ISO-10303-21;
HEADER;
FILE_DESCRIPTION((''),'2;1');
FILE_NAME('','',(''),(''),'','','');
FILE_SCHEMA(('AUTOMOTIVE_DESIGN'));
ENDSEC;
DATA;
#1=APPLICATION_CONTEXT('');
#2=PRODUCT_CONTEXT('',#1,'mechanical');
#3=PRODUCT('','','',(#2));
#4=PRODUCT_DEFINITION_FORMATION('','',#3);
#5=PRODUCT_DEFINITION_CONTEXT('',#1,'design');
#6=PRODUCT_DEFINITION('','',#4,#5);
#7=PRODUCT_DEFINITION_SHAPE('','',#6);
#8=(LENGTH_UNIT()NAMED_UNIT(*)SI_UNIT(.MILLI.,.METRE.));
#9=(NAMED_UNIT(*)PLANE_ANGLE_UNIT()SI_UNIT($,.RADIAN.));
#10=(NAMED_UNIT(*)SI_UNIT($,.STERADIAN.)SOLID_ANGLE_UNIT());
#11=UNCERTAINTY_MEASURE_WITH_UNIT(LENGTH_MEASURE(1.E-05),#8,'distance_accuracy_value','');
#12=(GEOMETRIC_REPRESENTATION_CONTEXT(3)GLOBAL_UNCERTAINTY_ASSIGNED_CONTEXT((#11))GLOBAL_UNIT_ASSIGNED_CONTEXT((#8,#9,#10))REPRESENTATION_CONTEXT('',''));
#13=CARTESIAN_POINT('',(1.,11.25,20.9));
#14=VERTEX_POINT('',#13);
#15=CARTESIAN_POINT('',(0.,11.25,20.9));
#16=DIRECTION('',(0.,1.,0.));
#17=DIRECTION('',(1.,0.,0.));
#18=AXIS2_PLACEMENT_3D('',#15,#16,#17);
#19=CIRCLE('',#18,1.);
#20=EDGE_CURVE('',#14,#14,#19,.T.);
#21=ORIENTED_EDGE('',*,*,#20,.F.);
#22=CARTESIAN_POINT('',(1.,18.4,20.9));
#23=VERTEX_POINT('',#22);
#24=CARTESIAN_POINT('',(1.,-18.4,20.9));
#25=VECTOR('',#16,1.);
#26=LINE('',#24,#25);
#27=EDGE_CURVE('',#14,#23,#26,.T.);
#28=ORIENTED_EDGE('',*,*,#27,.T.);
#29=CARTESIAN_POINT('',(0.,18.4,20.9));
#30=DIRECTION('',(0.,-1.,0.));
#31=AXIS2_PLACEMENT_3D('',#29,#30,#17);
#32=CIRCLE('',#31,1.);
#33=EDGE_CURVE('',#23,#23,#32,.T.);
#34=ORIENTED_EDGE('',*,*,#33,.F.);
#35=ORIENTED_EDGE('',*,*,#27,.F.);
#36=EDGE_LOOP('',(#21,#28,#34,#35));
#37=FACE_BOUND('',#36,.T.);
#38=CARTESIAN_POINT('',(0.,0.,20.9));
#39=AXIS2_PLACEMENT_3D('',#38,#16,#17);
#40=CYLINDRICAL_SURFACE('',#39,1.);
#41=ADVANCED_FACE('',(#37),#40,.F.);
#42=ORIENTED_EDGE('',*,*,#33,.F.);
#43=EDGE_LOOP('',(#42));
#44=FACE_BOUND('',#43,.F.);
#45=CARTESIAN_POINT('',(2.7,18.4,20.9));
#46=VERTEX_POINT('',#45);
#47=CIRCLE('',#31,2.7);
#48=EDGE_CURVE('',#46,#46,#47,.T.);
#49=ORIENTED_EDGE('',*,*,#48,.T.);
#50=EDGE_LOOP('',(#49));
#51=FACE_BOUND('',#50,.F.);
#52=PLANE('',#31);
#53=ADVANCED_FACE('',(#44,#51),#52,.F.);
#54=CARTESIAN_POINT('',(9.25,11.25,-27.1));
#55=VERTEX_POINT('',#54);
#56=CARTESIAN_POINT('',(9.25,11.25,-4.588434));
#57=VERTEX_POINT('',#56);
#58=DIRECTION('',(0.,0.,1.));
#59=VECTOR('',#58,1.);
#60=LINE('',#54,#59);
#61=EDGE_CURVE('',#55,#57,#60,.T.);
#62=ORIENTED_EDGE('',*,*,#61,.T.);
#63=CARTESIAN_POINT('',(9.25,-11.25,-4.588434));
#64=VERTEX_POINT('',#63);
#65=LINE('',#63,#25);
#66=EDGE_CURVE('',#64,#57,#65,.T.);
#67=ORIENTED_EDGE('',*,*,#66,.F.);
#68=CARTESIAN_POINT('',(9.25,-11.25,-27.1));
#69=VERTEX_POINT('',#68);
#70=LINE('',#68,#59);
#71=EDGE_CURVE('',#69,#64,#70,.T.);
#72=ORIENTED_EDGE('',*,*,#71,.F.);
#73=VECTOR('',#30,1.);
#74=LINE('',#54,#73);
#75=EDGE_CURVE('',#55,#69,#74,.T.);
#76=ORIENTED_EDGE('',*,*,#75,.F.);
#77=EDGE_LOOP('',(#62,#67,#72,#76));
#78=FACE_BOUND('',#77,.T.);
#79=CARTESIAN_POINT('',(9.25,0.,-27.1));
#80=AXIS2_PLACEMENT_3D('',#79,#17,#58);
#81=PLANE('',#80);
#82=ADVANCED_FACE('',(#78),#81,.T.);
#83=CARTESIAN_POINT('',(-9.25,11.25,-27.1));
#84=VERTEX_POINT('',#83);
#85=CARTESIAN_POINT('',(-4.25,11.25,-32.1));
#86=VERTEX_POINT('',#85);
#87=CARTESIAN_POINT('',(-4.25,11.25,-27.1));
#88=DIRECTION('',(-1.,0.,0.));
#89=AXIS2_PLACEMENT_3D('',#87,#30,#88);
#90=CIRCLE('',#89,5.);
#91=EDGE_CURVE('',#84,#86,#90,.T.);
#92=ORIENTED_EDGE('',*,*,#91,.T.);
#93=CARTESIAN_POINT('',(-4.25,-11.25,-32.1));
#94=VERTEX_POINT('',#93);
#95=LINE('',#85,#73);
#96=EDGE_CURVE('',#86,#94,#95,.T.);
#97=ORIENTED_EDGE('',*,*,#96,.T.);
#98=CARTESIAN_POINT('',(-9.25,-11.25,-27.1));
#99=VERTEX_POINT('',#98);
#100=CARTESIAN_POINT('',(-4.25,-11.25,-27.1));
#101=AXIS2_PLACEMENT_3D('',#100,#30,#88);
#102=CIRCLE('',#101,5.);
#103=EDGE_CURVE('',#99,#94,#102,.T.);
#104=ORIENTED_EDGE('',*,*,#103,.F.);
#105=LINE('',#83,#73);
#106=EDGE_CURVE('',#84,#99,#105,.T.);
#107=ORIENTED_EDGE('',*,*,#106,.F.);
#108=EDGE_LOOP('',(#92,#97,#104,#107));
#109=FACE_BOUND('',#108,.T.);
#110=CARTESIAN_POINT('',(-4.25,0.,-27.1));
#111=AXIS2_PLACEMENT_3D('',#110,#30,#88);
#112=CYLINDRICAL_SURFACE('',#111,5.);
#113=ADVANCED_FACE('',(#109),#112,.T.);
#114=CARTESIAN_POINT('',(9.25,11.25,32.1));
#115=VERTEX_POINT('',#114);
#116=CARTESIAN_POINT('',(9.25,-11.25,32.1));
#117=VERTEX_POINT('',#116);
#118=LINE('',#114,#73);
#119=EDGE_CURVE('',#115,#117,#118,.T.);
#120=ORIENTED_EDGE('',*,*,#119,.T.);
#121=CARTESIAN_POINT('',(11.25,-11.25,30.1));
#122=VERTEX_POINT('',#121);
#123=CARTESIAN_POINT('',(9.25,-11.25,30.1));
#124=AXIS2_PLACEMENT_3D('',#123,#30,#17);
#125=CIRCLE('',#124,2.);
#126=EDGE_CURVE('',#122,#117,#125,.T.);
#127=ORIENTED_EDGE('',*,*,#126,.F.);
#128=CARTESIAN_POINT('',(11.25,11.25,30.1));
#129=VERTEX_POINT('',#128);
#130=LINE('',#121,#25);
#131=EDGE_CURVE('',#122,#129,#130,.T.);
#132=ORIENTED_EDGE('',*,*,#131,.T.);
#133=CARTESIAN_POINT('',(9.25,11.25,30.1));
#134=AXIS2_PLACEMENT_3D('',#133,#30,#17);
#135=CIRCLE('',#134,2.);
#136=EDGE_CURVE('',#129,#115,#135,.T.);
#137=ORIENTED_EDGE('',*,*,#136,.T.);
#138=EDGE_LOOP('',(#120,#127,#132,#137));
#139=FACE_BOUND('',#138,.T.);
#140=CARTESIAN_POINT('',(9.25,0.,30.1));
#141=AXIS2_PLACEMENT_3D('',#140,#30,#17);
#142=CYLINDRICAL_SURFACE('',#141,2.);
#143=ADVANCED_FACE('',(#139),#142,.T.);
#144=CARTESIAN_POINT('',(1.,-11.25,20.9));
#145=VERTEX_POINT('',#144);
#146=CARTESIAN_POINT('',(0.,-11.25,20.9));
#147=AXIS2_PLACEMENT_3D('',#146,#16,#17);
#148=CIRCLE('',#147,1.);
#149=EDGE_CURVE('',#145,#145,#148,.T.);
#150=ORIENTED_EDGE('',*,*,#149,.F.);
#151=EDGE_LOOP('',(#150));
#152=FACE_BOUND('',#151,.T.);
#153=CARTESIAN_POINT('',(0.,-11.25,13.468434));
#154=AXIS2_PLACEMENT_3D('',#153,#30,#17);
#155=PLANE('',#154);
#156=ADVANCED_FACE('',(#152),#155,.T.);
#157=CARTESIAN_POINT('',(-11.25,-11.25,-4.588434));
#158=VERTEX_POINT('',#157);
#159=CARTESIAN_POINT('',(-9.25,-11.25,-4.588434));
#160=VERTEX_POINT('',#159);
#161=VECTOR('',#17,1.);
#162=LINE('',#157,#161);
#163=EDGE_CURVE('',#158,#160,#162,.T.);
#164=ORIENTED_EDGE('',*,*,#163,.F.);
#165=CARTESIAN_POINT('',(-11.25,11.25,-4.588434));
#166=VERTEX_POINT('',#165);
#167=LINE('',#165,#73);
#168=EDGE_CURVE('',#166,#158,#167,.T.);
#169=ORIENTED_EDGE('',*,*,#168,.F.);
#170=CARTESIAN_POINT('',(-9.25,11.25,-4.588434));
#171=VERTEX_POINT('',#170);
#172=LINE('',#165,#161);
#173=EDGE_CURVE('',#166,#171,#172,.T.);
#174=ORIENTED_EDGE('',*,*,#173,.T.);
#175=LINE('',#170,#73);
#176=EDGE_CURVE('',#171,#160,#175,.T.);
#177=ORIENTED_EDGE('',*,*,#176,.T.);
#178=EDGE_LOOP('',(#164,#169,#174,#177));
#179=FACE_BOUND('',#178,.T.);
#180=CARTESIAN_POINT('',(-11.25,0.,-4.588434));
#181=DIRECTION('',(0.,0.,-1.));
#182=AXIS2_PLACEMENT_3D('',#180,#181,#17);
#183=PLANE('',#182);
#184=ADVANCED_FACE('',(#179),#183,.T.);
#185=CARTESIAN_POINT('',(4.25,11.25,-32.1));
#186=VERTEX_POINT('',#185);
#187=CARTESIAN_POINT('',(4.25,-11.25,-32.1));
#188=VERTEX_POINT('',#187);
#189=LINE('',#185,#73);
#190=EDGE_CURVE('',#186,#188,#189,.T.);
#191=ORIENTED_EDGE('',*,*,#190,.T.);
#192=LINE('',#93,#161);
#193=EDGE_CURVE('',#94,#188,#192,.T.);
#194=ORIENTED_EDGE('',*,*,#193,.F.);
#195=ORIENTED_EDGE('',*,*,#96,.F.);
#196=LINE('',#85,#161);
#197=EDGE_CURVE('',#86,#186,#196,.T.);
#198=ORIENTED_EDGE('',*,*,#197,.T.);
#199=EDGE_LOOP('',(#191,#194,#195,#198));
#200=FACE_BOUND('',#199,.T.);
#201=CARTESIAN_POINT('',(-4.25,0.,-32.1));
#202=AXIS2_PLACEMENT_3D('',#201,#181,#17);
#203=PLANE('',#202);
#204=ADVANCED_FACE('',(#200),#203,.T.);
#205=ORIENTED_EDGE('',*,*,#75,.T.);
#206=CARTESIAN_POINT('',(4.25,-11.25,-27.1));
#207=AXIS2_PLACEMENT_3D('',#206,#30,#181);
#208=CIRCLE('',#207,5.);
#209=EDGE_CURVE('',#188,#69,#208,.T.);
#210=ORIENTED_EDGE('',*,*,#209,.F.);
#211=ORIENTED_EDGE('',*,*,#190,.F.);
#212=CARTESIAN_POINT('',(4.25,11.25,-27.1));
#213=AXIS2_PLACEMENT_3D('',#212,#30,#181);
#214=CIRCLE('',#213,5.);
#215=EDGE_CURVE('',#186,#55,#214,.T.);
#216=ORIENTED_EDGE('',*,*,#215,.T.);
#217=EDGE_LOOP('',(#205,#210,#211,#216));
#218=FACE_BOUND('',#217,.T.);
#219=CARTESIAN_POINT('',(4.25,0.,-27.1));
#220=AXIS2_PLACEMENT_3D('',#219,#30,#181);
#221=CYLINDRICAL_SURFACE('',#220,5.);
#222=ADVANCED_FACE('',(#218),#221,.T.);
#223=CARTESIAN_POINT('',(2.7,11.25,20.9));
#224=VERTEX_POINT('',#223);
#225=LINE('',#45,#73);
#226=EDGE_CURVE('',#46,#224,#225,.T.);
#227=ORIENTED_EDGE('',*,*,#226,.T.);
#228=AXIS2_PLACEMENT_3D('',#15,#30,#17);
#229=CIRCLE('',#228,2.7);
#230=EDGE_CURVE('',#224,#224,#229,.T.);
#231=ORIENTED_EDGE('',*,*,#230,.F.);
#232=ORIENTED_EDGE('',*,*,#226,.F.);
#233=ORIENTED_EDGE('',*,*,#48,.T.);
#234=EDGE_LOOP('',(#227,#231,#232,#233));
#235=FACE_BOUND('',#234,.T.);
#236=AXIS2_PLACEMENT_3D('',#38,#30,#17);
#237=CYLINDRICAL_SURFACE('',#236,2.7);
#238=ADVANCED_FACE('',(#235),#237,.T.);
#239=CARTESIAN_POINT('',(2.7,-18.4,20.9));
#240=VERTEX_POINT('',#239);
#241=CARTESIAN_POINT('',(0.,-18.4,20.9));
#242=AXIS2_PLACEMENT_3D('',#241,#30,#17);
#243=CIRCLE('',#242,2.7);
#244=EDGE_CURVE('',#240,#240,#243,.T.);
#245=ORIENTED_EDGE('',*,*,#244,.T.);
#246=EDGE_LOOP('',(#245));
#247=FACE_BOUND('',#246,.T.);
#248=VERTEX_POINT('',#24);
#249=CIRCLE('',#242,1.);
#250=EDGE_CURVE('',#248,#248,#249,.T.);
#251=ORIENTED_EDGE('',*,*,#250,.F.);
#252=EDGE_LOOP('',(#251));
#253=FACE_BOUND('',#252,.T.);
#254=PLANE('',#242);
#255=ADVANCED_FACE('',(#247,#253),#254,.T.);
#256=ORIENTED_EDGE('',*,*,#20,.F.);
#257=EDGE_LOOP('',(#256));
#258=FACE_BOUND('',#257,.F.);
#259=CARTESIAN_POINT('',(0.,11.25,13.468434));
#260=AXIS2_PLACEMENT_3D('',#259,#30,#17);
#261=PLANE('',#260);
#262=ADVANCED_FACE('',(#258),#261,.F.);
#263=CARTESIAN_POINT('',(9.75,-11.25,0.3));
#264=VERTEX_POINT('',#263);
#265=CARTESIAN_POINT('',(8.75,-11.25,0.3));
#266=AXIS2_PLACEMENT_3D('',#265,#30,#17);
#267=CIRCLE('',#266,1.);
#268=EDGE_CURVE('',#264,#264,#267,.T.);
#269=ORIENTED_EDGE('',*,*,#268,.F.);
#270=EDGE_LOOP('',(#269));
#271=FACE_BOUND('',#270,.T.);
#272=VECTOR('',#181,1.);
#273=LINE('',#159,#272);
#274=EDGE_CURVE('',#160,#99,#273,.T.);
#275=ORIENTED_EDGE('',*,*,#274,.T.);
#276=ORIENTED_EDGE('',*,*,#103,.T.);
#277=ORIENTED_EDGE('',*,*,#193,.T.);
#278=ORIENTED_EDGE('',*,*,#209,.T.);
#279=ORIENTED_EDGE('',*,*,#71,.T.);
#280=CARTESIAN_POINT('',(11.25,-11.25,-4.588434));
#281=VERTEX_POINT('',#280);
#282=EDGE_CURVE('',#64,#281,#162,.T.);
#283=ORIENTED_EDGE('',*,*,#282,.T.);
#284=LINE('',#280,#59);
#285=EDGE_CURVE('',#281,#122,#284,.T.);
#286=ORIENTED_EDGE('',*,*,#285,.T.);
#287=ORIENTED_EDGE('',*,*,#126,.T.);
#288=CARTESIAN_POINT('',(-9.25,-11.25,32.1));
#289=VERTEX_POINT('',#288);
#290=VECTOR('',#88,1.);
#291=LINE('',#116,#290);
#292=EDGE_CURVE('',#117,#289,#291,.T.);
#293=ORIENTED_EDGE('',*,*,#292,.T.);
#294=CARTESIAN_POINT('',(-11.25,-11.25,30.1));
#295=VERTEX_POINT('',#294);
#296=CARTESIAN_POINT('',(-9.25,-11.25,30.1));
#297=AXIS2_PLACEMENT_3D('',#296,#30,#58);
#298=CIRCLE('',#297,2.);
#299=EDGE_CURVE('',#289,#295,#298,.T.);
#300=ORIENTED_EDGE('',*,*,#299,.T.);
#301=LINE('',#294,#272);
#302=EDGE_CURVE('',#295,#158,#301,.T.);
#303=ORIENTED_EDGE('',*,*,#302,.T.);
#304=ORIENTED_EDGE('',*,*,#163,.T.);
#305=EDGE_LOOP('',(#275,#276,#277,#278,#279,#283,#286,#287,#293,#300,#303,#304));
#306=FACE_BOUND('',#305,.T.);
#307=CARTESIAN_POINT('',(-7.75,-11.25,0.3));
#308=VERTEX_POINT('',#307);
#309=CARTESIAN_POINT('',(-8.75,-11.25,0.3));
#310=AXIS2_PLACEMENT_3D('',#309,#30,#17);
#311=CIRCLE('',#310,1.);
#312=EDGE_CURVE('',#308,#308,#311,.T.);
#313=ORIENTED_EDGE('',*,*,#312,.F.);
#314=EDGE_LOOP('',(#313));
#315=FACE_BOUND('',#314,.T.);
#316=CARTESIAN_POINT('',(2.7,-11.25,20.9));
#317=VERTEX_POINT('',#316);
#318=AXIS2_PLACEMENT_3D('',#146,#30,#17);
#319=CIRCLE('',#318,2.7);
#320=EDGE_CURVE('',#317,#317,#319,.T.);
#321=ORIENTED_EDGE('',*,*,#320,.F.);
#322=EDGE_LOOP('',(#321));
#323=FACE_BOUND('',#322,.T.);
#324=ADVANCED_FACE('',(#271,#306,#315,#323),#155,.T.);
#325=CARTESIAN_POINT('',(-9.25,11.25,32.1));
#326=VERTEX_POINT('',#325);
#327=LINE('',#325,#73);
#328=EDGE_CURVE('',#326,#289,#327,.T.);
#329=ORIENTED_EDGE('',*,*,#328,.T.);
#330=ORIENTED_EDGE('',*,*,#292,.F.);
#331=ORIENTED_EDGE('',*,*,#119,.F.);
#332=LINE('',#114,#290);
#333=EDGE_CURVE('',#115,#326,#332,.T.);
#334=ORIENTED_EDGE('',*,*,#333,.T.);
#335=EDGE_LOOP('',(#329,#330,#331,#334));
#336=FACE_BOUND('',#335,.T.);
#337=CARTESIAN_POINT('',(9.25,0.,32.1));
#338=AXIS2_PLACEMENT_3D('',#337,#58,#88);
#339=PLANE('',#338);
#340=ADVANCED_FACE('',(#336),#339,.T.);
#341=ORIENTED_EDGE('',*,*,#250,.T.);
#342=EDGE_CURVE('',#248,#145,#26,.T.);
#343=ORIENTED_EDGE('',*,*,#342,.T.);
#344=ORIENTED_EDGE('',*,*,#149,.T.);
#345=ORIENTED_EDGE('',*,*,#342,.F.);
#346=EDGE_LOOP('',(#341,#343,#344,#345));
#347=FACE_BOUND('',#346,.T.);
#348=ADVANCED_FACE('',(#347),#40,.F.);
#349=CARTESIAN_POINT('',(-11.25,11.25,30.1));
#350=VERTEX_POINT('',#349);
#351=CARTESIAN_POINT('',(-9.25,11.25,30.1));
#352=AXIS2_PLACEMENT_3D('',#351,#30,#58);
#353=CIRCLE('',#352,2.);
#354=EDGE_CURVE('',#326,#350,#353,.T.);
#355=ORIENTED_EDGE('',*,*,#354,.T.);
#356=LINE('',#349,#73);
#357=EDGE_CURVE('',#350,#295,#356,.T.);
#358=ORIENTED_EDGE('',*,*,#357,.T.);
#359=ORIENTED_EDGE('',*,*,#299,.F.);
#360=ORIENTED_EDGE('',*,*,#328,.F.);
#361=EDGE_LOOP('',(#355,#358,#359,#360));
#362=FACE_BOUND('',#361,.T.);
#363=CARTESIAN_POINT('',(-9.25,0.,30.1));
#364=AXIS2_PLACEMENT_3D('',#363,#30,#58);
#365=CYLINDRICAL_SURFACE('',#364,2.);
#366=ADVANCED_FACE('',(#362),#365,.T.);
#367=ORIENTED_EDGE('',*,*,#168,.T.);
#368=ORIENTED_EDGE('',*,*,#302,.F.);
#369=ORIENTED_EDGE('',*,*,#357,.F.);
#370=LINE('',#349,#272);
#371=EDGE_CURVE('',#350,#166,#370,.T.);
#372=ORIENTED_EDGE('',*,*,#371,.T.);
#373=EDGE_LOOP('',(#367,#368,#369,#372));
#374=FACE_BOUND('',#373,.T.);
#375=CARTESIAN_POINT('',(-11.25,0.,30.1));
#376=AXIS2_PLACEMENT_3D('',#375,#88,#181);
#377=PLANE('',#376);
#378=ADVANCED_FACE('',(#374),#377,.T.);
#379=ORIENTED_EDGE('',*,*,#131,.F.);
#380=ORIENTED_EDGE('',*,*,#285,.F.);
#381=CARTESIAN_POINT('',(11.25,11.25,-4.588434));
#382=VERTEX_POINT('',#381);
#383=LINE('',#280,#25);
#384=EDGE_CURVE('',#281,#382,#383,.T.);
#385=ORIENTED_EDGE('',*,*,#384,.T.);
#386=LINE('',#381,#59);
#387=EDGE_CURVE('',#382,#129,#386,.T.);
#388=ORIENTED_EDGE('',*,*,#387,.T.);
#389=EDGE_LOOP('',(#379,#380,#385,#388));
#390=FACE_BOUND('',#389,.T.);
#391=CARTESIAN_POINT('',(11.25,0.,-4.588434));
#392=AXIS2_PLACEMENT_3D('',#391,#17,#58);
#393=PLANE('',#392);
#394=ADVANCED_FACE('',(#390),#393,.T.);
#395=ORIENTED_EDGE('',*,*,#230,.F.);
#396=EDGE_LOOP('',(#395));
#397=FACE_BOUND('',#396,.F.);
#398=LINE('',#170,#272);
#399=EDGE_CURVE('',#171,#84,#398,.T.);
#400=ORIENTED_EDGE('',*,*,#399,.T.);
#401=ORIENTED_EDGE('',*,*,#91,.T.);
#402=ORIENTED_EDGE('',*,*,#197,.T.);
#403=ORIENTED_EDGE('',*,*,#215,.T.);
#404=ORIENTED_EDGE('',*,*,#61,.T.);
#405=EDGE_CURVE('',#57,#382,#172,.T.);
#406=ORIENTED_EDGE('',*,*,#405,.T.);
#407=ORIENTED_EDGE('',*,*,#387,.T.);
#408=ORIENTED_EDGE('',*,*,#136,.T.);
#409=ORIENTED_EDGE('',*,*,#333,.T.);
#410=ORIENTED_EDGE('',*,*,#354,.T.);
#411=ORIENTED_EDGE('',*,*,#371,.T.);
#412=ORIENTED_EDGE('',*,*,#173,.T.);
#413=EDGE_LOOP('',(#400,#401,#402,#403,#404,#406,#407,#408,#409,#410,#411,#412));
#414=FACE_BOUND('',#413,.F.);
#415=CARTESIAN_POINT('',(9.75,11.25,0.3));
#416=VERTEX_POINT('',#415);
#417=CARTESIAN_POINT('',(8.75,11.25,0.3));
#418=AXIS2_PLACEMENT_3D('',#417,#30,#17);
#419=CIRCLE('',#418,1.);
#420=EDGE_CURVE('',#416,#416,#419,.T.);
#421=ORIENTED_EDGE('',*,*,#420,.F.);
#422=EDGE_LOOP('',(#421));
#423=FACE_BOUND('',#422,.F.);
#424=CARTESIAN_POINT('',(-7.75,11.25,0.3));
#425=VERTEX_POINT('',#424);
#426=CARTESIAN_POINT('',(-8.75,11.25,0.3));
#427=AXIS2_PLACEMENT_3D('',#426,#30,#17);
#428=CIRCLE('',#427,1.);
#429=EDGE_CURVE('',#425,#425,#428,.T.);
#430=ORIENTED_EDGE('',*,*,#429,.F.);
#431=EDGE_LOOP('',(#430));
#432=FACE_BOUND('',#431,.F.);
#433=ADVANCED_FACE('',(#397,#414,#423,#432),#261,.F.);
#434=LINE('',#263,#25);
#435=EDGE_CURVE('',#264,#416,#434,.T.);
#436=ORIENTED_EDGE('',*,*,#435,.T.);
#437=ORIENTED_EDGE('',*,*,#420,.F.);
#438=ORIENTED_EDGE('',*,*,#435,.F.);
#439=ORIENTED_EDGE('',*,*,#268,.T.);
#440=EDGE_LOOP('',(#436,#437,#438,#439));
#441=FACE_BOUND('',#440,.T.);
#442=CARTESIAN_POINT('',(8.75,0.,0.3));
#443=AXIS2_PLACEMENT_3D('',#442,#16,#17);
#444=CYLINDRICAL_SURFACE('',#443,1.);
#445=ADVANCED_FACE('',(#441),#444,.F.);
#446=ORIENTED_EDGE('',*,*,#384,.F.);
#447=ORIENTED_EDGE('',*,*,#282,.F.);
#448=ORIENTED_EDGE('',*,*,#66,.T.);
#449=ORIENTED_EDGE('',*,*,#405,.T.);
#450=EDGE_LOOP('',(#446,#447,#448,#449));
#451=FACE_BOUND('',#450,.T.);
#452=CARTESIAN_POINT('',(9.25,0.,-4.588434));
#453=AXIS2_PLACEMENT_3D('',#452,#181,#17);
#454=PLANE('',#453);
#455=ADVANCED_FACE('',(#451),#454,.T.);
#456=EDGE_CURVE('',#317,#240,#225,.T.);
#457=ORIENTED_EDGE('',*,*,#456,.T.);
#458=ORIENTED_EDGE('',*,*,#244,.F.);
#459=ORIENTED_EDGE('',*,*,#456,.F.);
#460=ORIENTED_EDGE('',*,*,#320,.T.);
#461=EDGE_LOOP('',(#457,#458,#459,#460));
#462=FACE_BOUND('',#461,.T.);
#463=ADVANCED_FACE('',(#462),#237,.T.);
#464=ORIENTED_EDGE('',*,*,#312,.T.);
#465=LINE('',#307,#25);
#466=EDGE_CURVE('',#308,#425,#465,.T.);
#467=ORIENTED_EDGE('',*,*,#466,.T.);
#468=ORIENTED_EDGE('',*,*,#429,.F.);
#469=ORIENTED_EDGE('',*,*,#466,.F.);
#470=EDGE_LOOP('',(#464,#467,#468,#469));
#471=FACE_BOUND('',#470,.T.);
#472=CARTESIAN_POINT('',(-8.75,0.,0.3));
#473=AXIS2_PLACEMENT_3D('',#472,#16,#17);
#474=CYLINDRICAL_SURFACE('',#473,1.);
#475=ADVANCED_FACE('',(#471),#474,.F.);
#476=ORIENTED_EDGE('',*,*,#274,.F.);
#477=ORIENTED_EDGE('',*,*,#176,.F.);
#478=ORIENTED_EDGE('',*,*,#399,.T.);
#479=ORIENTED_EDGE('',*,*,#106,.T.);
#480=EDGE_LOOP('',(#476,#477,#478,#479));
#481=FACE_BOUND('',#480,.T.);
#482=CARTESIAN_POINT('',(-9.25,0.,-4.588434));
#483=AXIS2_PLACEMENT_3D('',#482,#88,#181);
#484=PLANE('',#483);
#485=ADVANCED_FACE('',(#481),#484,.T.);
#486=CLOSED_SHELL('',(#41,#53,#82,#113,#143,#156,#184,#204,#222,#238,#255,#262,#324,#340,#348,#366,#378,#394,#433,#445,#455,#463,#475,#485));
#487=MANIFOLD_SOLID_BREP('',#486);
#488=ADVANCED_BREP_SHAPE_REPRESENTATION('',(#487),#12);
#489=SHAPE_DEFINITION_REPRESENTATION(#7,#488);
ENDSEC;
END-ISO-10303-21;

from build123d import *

# Parameters (mm, degrees)
F0_R     = 1
F1_DEPTH = 11.25
F2_R     = 2.7
F2_R_2   = 1
F3_DEPTH = 18.4


with BuildPart() as f1:
    # F0 (on Front) → F1 (new body, symmetric)
    with BuildSketch(Plane.XZ):
        with BuildLine():
            ThreePointArc((11.25, 30.1), (10.6642135624, 31.5142135624), (9.25, 32.1))
            Line((9.25, 32.1), (-9.25, 32.1))
            ThreePointArc((-9.25, 32.1), (-10.6642135624, 31.5142135624), (-11.25, 30.1))
            Line((-11.25, 30.1), (-11.25, -4.5884335414))
            Line((-11.25, -4.5884335414), (-9.25, -4.5884335414))
            Line((-9.25, -4.5884335414), (9.25, -4.5884335414))
            Line((9.25, -4.5884335414), (11.25, -4.5884335414))
            Line((11.25, -4.5884335414), (11.25, 30.1))
        make_face()
        with Locations((-8.75, 0.3)):
            Circle(F0_R, mode=Mode.SUBTRACT)
        with Locations((8.75, 0.3)):
            Circle(F0_R, mode=Mode.SUBTRACT)
        with BuildLine():
            Line((9.25, -27.1), (9.25, -4.5884335414))
            Line((9.25, -4.5884335414), (-9.25, -4.5884335414))
            Line((-9.25, -4.5884335414), (-9.25, -27.1))
            ThreePointArc((-9.25, -27.1), (-7.7855339059, -30.6355339059), (-4.25, -32.1))
            Line((-4.25, -32.1), (4.25, -32.1))
            ThreePointArc((4.25, -32.1), (7.7855339059, -30.6355339059), (9.25, -27.1))
        make_face()
    extrude(amount=F1_DEPTH, both=True)

    # F2 (on Front) → F3 (join, symmetric)
    with BuildSketch(Plane.XZ):
        with Locations((0, 20.9)):
            Circle(F2_R)
        with Locations((0, 20.9)):
            Circle(F2_R_2, mode=Mode.SUBTRACT)
    extrude(amount=F3_DEPTH, both=True)


solid = f1.part
